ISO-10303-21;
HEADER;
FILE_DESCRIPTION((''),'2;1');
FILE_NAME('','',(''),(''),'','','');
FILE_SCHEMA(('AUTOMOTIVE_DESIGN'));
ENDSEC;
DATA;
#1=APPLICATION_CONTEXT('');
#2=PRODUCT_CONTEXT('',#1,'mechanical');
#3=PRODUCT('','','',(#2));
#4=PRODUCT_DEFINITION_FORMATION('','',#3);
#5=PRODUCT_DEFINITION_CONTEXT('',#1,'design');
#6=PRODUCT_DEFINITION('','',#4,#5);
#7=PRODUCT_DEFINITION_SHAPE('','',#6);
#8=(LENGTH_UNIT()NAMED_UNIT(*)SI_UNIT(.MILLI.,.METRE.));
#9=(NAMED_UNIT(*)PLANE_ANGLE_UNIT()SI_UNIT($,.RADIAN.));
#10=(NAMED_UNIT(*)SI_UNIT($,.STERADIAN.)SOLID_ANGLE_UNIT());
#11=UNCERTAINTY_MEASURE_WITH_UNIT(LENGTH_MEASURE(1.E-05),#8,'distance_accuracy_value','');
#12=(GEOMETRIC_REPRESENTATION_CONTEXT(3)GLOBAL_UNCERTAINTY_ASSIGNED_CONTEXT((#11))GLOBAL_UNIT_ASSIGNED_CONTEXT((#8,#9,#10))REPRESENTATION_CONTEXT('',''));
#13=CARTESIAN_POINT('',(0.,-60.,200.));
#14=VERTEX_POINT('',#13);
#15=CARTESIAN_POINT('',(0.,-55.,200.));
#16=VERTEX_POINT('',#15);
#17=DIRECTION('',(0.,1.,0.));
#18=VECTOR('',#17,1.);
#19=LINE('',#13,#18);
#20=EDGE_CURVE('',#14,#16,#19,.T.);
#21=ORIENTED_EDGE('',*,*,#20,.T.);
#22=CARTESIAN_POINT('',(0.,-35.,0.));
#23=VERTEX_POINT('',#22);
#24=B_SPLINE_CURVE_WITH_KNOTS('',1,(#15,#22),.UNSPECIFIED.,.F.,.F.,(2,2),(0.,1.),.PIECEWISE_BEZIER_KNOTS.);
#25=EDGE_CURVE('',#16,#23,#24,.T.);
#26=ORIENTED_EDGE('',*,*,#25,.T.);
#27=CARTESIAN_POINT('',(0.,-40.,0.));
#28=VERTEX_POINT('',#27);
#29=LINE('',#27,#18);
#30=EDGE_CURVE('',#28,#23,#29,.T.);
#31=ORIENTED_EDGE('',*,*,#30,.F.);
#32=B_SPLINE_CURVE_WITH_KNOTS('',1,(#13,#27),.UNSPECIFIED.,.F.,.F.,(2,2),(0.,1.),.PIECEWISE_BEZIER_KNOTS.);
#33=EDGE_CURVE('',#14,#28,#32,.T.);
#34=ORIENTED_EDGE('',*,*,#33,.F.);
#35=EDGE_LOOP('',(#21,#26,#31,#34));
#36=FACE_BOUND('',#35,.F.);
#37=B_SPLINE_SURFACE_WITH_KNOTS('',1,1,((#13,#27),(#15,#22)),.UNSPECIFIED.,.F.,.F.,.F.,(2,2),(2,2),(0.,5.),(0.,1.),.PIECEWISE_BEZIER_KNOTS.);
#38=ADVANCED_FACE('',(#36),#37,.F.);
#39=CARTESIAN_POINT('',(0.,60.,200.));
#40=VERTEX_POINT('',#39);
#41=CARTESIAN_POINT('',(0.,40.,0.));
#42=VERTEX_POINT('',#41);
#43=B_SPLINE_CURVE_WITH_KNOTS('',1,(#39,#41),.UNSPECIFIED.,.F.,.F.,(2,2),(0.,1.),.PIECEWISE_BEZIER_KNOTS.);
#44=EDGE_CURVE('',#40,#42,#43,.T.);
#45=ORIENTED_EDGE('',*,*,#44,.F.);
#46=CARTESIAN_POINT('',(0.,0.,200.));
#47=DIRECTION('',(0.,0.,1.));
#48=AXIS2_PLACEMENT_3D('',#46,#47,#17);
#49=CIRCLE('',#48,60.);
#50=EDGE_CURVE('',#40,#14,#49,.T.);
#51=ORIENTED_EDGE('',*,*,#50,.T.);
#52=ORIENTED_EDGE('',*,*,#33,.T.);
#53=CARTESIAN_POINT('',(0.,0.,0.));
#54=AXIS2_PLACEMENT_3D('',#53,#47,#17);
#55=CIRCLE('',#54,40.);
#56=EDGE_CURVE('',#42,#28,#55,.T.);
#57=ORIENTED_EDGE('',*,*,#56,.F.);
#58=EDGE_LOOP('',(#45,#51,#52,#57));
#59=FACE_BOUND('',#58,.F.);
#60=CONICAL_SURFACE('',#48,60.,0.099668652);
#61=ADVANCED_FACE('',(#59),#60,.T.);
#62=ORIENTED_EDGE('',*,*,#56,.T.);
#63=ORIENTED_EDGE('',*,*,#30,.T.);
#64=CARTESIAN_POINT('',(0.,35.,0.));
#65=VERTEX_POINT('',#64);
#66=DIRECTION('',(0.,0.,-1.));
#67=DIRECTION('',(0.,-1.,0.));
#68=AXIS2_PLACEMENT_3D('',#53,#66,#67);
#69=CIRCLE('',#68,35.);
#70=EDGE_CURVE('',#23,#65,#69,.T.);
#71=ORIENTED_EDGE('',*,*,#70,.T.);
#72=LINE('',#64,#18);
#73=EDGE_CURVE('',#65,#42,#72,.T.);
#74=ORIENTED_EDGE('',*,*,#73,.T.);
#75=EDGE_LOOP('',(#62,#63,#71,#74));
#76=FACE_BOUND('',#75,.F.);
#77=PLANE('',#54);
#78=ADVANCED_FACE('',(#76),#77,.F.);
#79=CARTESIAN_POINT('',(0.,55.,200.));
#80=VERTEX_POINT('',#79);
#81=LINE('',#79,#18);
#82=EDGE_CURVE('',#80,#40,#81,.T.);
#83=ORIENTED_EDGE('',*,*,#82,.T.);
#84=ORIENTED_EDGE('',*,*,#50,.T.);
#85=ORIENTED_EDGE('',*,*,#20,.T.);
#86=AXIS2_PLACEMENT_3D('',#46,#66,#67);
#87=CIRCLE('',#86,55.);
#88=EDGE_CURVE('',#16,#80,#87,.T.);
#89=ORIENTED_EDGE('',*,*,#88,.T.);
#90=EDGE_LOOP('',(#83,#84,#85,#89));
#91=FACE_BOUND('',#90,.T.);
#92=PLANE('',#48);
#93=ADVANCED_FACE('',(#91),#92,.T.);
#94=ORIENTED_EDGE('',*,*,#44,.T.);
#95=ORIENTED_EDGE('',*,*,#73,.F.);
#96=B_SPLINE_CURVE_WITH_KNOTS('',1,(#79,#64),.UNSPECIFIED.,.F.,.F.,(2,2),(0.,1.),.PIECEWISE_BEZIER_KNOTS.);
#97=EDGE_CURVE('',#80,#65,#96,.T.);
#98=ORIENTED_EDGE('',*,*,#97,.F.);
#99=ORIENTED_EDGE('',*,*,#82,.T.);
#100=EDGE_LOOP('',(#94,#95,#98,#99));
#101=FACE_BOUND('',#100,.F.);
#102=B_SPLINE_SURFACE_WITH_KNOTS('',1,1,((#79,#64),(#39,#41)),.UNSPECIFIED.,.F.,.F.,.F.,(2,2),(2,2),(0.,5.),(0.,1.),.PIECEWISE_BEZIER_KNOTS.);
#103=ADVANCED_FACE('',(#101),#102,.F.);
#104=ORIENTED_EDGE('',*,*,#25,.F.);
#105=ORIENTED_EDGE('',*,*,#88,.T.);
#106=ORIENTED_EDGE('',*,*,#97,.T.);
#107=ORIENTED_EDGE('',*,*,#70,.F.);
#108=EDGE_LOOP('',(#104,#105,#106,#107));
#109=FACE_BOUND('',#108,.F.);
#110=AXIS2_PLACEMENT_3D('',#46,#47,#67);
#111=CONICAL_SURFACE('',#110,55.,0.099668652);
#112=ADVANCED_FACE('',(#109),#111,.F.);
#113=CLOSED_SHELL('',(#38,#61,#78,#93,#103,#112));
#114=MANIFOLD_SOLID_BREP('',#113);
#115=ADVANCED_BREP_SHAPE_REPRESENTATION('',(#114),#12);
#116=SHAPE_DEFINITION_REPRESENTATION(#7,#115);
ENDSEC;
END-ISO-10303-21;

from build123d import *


with BuildPart() as f3:
    # F2 (on offset) → F3 section 0
    with BuildSketch(Plane.XY.offset(200)):
        with BuildLine():
            Line((0, 55), (0, 60))
            ThreePointArc((0, 60), (-60, 0), (0, -60))
            Line((0, -60), (0, -55))
            ThreePointArc((0, -55), (-55, 0), (0, 55))
        make_face()
    # F0 (on Top) → F3 section 1
    with BuildSketch(Plane.XY):
        with BuildLine():
            Line((0, 35), (0, 40))
            ThreePointArc((0, 40), (-40, 0), (0, -40))
            Line((0, -40), (0, -35))
            ThreePointArc((0, -35), (-35, 0), (0, 35))
        make_face()
    loft()


solid = f3.part
